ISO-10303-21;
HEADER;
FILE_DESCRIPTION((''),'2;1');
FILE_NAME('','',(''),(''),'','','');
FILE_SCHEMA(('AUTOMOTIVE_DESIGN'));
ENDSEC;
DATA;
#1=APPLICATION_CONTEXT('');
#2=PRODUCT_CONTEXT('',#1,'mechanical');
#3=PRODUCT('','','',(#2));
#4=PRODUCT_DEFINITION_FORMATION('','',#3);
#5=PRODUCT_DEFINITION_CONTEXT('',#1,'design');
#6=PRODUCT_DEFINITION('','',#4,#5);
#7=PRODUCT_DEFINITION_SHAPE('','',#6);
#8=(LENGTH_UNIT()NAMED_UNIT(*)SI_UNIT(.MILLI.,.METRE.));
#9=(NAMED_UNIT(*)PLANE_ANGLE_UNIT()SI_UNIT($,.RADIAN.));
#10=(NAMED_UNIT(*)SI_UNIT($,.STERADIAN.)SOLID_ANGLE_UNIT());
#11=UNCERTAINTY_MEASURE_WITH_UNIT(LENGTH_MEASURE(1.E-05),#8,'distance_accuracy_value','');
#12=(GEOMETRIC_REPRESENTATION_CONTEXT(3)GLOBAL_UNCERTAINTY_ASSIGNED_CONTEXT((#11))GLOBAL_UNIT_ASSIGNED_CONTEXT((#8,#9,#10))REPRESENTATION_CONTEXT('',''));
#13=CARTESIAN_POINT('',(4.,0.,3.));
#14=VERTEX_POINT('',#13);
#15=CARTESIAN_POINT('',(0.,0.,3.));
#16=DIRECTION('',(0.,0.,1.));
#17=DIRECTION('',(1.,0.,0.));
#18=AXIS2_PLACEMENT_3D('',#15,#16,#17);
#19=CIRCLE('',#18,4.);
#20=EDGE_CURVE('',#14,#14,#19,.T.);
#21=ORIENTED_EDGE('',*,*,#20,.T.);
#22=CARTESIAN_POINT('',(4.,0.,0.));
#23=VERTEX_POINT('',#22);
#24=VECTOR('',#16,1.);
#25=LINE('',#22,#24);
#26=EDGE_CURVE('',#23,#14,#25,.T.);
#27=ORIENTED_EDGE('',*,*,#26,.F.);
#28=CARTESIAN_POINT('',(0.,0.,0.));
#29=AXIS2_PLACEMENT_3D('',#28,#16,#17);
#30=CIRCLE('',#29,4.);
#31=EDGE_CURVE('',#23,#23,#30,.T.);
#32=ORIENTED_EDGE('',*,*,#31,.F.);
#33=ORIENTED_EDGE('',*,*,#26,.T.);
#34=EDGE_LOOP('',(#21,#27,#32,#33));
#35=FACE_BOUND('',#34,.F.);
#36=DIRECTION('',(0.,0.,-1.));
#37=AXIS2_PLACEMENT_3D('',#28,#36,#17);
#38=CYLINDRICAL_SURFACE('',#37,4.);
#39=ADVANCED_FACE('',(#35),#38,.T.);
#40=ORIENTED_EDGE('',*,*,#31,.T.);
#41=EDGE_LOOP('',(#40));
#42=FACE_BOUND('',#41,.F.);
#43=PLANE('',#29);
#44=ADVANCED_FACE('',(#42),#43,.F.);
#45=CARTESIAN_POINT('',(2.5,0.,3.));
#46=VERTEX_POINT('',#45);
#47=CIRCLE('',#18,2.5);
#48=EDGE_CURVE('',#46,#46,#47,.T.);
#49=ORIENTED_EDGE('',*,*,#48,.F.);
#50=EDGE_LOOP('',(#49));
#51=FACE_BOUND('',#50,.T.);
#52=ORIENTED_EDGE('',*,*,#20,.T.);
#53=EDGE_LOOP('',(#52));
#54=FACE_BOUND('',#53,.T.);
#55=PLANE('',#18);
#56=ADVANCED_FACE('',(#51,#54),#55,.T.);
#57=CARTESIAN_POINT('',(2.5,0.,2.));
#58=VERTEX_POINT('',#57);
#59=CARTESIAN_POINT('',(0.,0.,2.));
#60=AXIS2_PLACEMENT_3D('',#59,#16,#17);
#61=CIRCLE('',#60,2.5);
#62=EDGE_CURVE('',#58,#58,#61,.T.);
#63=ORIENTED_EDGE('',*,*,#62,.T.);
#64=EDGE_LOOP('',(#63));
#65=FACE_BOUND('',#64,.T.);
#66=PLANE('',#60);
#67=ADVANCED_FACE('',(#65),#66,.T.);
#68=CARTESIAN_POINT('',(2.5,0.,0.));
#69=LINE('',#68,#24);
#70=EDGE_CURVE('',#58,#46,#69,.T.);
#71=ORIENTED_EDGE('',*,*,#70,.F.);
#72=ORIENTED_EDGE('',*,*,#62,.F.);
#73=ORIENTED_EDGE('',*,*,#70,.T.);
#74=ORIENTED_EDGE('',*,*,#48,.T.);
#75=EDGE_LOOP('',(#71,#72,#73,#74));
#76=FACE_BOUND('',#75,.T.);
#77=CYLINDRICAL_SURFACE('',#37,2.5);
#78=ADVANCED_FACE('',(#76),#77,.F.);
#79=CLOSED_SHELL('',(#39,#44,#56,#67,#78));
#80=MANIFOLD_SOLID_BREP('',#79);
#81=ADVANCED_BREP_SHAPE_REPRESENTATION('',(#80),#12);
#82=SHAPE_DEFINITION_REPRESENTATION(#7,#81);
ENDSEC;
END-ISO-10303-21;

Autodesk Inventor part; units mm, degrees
ref_plane "YZ Plane" through (0, 0, 0) normal (1, 0, 0) x (0, 1, 0)
ref_plane "XZ Plane" through (0, 0, 0) normal (0, 1, 0) x (-1, 0, 0)
ref_plane "XY Plane" through (0, 0, 0) normal (0, 0, 1) x (1, 0, 0)
sketch "Sketch1" plane through (0, 0, 0) normal (0, 0, 1) x (1, 0, 0)
  circle A0 centre (0, 0) radius 2.5
  circle A1 centre (0, 0) radius 4
  dimension "d0" = 5
  dimension "d1" = 8
extrude "Extrusion1" add sketch "Sketch1" along normal blind 3
extrude "Extrusion2" add sketch "Sketch1" along normal blind 2 contours A0
properties part number "spring_hold_p2"
